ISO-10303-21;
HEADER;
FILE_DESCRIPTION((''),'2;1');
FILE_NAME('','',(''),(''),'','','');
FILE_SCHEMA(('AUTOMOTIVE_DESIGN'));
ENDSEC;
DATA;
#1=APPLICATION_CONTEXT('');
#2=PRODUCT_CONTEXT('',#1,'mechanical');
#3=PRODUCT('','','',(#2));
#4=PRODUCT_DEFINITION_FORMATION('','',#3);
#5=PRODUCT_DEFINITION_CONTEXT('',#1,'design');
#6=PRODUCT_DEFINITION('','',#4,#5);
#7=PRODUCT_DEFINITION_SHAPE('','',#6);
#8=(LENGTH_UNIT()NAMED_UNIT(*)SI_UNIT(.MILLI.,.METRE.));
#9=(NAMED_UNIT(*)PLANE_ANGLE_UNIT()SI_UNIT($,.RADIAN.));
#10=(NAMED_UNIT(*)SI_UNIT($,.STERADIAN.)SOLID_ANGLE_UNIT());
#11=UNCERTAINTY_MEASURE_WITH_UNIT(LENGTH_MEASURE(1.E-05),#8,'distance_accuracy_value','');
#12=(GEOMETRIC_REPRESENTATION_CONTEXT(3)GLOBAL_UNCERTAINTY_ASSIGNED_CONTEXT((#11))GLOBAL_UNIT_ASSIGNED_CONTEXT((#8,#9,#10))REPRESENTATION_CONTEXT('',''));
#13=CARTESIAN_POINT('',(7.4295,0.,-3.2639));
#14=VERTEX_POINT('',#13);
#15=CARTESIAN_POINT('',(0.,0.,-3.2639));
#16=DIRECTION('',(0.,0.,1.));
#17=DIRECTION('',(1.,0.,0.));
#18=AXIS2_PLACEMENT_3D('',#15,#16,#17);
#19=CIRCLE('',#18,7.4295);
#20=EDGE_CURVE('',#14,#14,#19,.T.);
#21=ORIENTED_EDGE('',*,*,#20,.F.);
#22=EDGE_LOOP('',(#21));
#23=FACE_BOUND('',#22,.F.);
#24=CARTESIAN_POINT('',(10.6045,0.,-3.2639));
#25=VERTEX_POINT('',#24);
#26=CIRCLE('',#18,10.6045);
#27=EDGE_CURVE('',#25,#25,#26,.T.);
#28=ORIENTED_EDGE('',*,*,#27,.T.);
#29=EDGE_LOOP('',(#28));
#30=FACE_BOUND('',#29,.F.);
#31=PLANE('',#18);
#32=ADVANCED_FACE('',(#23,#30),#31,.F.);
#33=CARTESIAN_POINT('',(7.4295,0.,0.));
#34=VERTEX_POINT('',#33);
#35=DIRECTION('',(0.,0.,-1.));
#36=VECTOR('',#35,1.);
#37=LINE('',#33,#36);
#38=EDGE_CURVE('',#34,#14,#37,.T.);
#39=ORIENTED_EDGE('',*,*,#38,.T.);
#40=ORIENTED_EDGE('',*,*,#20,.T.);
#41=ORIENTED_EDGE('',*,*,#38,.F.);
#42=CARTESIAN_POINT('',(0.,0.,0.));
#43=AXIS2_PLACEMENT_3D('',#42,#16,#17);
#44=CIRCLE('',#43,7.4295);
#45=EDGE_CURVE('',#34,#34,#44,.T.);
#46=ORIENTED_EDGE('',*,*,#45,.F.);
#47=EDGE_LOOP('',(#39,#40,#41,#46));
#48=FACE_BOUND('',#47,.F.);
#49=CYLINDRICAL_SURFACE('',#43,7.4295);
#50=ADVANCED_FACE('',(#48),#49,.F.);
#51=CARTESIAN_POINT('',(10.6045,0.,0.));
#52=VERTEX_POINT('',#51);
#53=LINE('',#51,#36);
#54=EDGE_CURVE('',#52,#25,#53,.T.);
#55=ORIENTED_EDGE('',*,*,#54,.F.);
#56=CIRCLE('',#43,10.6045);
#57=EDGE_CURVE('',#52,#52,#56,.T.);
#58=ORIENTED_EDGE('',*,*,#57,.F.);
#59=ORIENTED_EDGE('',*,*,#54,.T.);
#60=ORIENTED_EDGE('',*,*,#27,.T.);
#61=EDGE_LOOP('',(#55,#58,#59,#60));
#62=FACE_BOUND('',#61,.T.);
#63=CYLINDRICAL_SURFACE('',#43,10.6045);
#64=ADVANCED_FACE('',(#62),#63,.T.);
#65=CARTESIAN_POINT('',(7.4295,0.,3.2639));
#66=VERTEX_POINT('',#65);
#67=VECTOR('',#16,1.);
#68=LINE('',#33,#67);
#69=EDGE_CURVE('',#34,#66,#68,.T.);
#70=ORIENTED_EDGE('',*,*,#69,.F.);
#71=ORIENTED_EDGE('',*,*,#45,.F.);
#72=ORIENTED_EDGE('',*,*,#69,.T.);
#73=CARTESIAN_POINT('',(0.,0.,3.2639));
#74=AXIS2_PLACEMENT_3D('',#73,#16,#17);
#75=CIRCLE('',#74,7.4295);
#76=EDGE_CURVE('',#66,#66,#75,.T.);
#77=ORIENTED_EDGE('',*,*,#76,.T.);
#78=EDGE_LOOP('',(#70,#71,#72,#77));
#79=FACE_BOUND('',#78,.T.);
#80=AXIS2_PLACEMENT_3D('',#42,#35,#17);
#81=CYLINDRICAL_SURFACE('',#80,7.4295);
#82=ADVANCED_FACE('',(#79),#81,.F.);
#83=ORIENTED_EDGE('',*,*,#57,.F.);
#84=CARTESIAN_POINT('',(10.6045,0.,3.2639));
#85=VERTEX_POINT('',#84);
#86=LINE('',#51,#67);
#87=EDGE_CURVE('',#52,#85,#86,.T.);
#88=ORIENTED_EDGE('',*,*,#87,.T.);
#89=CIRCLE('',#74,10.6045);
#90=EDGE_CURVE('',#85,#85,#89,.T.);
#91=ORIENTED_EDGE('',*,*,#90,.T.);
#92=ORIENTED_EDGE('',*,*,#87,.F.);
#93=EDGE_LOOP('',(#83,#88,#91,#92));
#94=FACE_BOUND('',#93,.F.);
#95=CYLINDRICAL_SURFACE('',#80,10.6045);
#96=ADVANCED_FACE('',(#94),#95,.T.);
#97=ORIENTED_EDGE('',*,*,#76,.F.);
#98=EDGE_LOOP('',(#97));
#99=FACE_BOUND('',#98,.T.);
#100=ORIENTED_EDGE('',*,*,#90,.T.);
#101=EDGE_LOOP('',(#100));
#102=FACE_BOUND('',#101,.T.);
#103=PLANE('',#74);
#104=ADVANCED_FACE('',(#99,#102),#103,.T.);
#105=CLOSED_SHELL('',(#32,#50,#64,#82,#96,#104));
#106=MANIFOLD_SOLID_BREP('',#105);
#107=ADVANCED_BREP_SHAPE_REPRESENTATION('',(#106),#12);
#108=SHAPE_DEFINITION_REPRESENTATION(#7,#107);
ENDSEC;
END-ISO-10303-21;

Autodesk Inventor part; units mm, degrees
ref_plane "YZ Plane" through (0, 0, 0) normal (1, 0, 0) x (0, 1, 0)
ref_plane "XZ Plane" through (0, 0, 0) normal (0, 1, 0) x (-1, 0, 0)
ref_plane "XY Plane" through (0, 0, 0) normal (0, 0, 1) x (1, 0, 0)
sketch "Sketch1" plane through (0, 0, 0) normal (0, 0, 1) x (1, 0, 0)
  circle A0 centre (0, 0) radius 7.4295
  circle A1 centre (0, 0) radius 10.6045
  dimension "d0" = 14.859
  dimension "d1" = 3.175
extrude "Extrusion1" add sketch "Sketch1" along normal mid plane 6.5278
properties part number "EL2-CGB-019" material "ABS Plastic"
